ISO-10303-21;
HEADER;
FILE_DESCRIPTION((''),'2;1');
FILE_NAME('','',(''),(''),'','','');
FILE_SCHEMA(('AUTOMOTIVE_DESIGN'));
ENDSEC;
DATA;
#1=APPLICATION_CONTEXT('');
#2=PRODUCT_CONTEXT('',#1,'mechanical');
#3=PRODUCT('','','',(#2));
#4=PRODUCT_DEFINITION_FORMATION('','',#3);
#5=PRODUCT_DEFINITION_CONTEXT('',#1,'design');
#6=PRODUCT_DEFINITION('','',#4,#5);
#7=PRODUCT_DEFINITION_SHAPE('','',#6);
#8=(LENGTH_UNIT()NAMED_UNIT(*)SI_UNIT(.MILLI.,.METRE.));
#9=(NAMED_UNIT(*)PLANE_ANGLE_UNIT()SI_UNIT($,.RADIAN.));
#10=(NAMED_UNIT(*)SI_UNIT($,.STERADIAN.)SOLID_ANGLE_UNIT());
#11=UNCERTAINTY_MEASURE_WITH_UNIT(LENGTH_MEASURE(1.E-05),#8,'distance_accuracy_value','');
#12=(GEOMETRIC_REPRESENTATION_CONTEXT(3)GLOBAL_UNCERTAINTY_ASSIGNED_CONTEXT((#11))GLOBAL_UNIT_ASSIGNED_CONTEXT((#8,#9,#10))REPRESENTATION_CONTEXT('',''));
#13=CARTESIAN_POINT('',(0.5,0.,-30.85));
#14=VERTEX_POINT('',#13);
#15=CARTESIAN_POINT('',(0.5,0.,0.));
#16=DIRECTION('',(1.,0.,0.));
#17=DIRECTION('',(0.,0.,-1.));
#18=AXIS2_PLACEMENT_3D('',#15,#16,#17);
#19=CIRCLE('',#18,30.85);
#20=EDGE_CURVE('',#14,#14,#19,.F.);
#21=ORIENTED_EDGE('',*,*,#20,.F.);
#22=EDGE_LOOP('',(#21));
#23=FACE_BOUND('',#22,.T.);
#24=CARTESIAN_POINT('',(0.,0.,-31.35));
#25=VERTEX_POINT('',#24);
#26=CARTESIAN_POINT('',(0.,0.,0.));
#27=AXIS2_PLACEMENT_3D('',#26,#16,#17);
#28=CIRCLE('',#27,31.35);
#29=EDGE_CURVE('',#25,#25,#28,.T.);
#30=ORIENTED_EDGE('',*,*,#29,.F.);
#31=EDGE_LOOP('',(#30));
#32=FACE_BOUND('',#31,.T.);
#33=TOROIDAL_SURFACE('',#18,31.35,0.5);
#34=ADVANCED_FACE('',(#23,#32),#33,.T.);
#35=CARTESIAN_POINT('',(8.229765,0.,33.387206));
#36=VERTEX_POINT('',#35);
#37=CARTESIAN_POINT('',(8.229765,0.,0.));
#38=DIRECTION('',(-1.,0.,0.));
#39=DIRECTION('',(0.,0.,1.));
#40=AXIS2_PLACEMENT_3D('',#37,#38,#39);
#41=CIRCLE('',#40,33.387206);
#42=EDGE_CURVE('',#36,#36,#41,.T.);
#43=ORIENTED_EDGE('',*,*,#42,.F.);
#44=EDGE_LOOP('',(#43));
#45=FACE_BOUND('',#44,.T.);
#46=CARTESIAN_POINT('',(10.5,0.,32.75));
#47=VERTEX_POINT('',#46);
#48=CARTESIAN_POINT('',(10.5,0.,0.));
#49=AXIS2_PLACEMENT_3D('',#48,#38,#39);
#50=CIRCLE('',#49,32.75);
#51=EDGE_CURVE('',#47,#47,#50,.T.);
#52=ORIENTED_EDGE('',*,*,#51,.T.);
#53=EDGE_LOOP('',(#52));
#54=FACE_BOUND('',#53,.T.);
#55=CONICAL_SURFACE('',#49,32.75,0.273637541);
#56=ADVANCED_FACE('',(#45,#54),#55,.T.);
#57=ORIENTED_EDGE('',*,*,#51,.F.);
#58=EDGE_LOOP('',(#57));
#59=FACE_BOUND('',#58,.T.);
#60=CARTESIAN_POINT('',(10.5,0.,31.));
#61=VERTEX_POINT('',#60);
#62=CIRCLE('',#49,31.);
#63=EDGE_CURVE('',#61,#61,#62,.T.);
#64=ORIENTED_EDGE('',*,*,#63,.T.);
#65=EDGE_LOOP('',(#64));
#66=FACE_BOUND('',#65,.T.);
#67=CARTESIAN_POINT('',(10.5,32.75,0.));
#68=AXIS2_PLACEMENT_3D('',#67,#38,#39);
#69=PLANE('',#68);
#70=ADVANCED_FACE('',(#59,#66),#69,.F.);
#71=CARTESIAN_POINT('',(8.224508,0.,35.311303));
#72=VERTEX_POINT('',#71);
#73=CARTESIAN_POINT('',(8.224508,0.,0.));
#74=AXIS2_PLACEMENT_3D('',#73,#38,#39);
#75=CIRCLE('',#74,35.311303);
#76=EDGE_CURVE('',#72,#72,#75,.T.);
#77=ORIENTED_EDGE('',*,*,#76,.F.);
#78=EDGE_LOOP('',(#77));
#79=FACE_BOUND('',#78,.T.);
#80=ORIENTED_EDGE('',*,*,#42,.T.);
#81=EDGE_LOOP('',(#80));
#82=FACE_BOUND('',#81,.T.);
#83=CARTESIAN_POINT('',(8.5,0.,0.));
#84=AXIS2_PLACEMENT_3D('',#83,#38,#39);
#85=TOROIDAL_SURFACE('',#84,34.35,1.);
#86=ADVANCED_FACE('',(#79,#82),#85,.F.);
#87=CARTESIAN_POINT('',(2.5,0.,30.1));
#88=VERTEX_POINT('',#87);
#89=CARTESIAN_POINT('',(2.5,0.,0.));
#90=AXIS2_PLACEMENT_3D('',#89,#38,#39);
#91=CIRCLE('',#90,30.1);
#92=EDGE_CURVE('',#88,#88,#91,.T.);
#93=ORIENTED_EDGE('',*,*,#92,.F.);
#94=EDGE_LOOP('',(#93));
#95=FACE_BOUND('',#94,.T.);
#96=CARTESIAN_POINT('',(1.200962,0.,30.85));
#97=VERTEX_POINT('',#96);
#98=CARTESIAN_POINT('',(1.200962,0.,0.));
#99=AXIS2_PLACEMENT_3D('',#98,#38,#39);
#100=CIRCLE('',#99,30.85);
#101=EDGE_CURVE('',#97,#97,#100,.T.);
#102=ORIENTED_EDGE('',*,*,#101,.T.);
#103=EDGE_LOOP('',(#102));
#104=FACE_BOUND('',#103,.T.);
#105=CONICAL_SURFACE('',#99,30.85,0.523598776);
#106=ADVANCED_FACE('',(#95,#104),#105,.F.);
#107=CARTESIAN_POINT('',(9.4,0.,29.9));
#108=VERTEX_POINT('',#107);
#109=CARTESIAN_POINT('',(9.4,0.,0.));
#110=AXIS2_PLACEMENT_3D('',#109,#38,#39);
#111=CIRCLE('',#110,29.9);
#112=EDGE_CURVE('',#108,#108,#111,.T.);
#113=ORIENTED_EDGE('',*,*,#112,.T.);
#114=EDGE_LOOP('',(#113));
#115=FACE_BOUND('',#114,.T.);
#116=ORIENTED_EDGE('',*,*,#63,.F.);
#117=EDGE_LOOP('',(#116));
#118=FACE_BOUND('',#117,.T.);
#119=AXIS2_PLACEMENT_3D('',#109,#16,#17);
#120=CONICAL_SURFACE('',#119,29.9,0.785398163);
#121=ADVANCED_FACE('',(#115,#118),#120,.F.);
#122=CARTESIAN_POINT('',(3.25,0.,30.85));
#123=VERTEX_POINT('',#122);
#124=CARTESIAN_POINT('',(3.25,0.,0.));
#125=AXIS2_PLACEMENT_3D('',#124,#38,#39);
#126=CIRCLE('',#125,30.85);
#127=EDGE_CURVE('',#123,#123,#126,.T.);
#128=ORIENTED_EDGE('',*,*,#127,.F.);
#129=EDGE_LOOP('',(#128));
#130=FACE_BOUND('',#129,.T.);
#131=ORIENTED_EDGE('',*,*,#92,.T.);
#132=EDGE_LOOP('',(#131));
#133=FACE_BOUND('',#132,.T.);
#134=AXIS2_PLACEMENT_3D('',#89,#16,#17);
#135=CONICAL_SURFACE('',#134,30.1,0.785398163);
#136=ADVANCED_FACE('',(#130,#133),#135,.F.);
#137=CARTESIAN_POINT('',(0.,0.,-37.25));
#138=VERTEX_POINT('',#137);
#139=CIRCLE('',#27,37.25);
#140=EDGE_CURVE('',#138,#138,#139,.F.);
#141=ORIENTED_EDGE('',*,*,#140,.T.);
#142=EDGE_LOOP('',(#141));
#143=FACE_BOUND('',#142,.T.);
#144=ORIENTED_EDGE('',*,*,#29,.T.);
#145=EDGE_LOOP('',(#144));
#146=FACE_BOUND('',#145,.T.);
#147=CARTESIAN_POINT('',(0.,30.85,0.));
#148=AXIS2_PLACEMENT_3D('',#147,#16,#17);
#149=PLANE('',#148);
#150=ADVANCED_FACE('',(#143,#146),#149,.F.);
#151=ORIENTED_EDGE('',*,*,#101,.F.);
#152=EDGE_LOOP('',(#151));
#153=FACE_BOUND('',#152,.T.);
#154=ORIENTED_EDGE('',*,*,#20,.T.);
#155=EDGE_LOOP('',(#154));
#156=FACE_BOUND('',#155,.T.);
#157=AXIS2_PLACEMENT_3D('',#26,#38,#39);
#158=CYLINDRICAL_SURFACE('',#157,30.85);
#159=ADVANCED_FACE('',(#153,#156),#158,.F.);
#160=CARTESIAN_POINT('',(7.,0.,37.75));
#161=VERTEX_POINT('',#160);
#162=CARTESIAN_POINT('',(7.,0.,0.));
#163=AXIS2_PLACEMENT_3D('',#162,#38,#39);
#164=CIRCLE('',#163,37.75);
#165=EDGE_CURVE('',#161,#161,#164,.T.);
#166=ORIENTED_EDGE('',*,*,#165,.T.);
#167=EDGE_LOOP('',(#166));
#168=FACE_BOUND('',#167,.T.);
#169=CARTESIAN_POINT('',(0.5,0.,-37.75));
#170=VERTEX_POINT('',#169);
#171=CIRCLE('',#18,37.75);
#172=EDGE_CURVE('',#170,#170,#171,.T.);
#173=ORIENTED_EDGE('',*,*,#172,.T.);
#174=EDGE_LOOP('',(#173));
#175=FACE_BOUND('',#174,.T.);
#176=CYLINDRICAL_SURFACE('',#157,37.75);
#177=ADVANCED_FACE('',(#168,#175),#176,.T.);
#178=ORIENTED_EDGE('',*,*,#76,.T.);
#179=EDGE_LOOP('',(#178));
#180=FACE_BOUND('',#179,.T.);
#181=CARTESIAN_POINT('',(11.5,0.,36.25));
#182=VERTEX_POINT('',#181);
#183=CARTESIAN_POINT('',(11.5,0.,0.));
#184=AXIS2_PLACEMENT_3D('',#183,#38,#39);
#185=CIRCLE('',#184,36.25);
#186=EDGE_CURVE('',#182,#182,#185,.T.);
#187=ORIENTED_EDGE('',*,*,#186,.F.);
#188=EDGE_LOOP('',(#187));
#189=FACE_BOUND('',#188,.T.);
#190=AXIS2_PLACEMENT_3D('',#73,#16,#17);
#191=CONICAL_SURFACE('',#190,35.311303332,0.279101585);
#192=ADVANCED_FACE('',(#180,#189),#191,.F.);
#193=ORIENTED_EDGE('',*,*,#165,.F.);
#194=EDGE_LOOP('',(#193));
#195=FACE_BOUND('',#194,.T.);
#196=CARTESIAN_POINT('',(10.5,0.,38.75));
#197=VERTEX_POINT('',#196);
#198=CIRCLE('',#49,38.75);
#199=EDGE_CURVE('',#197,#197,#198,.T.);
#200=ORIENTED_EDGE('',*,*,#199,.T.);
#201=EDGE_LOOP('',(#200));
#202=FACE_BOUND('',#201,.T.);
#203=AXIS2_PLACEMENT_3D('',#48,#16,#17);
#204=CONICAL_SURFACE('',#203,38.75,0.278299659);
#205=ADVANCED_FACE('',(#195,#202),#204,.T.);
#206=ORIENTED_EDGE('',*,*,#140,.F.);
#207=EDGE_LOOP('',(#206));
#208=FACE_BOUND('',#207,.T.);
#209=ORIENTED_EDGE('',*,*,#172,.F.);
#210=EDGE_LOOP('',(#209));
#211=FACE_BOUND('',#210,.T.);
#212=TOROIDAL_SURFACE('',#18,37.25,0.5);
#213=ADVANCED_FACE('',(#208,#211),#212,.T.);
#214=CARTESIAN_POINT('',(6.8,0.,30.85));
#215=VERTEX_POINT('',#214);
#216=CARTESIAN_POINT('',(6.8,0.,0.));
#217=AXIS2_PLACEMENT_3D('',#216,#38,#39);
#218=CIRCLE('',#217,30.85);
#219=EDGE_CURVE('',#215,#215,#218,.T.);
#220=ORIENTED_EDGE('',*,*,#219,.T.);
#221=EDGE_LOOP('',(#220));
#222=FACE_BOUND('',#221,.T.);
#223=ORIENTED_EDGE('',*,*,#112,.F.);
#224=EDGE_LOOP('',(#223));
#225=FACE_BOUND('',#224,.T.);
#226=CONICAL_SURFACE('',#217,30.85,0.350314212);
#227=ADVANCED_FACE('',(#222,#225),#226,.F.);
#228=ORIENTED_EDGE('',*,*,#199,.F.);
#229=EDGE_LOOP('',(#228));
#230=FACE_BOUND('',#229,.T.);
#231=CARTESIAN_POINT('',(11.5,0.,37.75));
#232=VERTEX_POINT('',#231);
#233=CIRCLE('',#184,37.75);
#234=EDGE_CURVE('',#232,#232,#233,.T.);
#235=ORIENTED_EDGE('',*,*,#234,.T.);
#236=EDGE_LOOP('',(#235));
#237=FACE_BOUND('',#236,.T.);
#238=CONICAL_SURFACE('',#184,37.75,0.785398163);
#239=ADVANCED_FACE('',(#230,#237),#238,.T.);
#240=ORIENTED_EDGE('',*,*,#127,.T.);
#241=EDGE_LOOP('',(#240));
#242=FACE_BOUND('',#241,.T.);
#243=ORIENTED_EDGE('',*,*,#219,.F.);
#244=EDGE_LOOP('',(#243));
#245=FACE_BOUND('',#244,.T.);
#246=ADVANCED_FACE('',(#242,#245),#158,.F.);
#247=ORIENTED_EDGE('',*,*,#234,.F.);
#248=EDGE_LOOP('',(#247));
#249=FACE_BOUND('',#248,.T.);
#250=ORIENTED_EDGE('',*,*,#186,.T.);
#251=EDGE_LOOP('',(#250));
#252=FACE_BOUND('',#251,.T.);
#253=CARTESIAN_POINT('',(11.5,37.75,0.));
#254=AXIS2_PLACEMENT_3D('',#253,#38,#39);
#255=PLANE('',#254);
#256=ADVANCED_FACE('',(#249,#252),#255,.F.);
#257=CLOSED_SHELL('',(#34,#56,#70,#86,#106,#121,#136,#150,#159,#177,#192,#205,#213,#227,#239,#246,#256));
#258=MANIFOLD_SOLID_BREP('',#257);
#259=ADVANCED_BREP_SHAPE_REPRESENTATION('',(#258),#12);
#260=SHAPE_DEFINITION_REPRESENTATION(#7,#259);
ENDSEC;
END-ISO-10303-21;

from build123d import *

# Parameters (mm, degrees)
FILLET1_R = 0.5


with BuildPart() as part:
    # Sketch1 → Revolve1 (revolve)
    with BuildSketch(Plane.XY, mode=Mode.PRIVATE) as revolve1_sk:
        with BuildLine():
            Line((0, 30.85), (0, 37.75))
            Line((0, 37.75), (7, 37.75))
            Line((7, 37.75), (10.5, 38.75))
            Line((10.5, 38.75), (11.5, 37.75))
            Line((11.5, 37.75), (11.5, 36.25))
            Line((11.5, 36.25), (8.224507889, 35.311303332))
            ThreePointArc((8.224507889, 35.311303332), (7.500003732, 34.347267981), (8.229764579, 33.387205724))
            Line((8.229764579, 33.387205724), (10.5, 32.75))
            Line((10.5, 32.75), (10.5, 31))
            Line((10.5, 31), (9.4, 29.9))
            Line((9.4, 29.9), (6.8, 30.85))
            Line((6.8, 30.85), (3.25, 30.85))
            Line((3.25, 30.85), (2.5, 30.1))
            Line((2.5, 30.1), (1.200961894, 30.85))
            Line((1.200961894, 30.85), (0, 30.85))
        make_face()
    revolve(revolve1_sk.sketch.rotate(Axis((0, 0, 0), (1, 0, 0)), 90), axis=Axis((0, 0, 0), (1, 0, 0)))

    # Fillet1
    fillet1_edges = [part.edges().sort_by_distance(p)[0] for p in [
        (0, 0, -30.85),
        (0, 0, -37.75),
    ]]
    fillet(fillet1_edges, radius=FILLET1_R)


solid = part.part
